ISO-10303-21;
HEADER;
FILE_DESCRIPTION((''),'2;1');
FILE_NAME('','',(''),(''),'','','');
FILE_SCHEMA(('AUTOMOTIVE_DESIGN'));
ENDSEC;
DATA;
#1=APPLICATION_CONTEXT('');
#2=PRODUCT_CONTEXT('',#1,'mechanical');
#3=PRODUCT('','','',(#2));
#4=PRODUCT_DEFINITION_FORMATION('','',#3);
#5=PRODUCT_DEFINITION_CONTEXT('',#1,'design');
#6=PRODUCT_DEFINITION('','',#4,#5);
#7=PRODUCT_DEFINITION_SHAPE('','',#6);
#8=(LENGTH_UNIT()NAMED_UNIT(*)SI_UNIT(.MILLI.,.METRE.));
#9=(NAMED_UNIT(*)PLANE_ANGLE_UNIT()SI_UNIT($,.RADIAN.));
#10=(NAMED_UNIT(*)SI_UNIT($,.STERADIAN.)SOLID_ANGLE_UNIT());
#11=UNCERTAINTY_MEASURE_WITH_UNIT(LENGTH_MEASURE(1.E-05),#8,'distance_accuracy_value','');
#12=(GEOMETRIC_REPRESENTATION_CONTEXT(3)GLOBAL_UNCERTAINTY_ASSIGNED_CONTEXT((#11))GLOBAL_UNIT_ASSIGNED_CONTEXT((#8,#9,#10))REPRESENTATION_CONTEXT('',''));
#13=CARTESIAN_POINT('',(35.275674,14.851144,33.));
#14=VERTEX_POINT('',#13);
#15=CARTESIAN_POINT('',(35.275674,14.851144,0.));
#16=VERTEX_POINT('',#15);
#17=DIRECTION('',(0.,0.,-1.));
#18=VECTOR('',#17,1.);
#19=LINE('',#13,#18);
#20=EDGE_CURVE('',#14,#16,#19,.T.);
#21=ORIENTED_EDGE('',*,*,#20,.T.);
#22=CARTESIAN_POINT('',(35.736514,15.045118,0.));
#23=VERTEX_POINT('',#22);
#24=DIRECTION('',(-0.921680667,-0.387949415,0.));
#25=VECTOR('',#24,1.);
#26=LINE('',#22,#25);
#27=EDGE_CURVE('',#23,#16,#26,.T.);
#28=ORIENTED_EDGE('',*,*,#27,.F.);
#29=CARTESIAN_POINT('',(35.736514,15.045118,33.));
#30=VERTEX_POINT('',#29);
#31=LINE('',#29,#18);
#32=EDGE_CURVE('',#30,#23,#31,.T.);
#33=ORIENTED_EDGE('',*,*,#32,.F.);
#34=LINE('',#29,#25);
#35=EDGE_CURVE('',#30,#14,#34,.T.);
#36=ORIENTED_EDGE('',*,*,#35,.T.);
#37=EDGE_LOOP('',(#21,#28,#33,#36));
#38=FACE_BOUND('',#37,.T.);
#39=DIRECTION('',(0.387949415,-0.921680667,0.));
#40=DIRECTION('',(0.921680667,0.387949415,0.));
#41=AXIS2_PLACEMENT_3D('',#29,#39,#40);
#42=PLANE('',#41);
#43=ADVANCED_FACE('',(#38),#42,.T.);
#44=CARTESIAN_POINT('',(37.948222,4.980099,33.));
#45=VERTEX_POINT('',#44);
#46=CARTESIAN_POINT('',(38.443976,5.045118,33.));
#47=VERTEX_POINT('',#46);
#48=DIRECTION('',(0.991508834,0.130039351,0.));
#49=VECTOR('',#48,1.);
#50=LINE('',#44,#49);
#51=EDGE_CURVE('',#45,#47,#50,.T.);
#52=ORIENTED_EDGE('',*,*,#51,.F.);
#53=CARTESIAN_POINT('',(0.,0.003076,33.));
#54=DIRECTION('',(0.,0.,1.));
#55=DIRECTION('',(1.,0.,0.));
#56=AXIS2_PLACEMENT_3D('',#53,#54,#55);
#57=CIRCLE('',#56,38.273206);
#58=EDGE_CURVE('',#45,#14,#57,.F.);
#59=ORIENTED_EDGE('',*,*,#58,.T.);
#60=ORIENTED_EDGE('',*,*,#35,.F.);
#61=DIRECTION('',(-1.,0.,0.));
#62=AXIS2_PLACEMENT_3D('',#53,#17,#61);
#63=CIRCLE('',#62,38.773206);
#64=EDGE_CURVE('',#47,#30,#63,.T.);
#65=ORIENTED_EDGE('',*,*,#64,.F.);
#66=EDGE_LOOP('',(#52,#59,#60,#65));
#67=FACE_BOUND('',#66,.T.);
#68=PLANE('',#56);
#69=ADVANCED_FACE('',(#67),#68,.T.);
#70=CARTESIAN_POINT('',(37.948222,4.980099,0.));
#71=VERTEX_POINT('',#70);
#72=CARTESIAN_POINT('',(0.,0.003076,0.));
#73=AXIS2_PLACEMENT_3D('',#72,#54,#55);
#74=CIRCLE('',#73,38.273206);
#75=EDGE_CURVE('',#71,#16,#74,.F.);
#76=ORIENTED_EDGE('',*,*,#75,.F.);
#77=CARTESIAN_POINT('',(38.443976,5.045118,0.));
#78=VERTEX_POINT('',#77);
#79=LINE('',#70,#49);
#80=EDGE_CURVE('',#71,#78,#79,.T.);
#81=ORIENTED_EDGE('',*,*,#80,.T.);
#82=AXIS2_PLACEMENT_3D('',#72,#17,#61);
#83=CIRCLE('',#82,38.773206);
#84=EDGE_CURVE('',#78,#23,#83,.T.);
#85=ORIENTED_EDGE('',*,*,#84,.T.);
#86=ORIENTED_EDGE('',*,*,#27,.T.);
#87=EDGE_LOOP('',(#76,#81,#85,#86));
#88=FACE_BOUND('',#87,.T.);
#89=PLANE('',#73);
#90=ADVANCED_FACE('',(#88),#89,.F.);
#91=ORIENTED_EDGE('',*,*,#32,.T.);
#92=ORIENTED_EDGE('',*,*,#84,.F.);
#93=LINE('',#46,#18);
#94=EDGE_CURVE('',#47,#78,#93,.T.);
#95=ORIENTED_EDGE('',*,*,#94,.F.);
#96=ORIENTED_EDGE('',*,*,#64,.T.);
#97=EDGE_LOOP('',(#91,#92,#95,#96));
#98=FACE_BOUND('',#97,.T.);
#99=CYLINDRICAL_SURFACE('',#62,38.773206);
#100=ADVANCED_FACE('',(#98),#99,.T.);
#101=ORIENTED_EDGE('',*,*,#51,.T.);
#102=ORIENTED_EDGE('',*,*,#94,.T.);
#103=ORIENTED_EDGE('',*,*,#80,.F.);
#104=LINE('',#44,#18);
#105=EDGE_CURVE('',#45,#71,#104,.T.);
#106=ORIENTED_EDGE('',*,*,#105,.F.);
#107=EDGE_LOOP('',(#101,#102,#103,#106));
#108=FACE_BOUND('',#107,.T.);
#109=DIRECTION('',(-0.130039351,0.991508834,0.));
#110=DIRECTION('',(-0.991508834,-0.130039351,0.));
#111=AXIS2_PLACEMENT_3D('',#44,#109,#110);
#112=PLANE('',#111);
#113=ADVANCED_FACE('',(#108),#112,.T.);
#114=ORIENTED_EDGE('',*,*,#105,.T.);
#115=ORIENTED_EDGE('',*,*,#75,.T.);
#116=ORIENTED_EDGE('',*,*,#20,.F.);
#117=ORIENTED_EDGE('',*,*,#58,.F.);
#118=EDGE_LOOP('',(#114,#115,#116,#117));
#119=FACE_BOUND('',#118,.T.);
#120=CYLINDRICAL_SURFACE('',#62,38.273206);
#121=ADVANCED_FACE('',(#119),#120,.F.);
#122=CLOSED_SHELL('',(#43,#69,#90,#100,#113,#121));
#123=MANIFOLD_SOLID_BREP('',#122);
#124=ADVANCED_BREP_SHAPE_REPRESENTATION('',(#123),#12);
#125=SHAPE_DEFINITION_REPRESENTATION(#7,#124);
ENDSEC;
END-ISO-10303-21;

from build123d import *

# Parameters (mm, degrees)
EXTRUDE_THIN5_DEPTH = 33


with BuildPart() as part:
    # Sketch3 → Extrude-Thin5 (new body)
    with BuildSketch(Plane.XY):
        with BuildLine():
            ThreePointArc((38.4439761, 5.045118373), (-37.425743623, -10.129801586), (35.736514213, 15.045118373))
            Line((35.736514213, 15.045118373), (35.27567388, 14.851143665))
            ThreePointArc((35.27567388, 14.851143665), (-36.943119827, -9.999133032), (37.948221683, 4.980098697))
            Line((37.948221683, 4.980098697), (38.4439761, 5.045118373))
        make_face()
    extrude(amount=EXTRUDE_THIN5_DEPTH)


solid = part.part
